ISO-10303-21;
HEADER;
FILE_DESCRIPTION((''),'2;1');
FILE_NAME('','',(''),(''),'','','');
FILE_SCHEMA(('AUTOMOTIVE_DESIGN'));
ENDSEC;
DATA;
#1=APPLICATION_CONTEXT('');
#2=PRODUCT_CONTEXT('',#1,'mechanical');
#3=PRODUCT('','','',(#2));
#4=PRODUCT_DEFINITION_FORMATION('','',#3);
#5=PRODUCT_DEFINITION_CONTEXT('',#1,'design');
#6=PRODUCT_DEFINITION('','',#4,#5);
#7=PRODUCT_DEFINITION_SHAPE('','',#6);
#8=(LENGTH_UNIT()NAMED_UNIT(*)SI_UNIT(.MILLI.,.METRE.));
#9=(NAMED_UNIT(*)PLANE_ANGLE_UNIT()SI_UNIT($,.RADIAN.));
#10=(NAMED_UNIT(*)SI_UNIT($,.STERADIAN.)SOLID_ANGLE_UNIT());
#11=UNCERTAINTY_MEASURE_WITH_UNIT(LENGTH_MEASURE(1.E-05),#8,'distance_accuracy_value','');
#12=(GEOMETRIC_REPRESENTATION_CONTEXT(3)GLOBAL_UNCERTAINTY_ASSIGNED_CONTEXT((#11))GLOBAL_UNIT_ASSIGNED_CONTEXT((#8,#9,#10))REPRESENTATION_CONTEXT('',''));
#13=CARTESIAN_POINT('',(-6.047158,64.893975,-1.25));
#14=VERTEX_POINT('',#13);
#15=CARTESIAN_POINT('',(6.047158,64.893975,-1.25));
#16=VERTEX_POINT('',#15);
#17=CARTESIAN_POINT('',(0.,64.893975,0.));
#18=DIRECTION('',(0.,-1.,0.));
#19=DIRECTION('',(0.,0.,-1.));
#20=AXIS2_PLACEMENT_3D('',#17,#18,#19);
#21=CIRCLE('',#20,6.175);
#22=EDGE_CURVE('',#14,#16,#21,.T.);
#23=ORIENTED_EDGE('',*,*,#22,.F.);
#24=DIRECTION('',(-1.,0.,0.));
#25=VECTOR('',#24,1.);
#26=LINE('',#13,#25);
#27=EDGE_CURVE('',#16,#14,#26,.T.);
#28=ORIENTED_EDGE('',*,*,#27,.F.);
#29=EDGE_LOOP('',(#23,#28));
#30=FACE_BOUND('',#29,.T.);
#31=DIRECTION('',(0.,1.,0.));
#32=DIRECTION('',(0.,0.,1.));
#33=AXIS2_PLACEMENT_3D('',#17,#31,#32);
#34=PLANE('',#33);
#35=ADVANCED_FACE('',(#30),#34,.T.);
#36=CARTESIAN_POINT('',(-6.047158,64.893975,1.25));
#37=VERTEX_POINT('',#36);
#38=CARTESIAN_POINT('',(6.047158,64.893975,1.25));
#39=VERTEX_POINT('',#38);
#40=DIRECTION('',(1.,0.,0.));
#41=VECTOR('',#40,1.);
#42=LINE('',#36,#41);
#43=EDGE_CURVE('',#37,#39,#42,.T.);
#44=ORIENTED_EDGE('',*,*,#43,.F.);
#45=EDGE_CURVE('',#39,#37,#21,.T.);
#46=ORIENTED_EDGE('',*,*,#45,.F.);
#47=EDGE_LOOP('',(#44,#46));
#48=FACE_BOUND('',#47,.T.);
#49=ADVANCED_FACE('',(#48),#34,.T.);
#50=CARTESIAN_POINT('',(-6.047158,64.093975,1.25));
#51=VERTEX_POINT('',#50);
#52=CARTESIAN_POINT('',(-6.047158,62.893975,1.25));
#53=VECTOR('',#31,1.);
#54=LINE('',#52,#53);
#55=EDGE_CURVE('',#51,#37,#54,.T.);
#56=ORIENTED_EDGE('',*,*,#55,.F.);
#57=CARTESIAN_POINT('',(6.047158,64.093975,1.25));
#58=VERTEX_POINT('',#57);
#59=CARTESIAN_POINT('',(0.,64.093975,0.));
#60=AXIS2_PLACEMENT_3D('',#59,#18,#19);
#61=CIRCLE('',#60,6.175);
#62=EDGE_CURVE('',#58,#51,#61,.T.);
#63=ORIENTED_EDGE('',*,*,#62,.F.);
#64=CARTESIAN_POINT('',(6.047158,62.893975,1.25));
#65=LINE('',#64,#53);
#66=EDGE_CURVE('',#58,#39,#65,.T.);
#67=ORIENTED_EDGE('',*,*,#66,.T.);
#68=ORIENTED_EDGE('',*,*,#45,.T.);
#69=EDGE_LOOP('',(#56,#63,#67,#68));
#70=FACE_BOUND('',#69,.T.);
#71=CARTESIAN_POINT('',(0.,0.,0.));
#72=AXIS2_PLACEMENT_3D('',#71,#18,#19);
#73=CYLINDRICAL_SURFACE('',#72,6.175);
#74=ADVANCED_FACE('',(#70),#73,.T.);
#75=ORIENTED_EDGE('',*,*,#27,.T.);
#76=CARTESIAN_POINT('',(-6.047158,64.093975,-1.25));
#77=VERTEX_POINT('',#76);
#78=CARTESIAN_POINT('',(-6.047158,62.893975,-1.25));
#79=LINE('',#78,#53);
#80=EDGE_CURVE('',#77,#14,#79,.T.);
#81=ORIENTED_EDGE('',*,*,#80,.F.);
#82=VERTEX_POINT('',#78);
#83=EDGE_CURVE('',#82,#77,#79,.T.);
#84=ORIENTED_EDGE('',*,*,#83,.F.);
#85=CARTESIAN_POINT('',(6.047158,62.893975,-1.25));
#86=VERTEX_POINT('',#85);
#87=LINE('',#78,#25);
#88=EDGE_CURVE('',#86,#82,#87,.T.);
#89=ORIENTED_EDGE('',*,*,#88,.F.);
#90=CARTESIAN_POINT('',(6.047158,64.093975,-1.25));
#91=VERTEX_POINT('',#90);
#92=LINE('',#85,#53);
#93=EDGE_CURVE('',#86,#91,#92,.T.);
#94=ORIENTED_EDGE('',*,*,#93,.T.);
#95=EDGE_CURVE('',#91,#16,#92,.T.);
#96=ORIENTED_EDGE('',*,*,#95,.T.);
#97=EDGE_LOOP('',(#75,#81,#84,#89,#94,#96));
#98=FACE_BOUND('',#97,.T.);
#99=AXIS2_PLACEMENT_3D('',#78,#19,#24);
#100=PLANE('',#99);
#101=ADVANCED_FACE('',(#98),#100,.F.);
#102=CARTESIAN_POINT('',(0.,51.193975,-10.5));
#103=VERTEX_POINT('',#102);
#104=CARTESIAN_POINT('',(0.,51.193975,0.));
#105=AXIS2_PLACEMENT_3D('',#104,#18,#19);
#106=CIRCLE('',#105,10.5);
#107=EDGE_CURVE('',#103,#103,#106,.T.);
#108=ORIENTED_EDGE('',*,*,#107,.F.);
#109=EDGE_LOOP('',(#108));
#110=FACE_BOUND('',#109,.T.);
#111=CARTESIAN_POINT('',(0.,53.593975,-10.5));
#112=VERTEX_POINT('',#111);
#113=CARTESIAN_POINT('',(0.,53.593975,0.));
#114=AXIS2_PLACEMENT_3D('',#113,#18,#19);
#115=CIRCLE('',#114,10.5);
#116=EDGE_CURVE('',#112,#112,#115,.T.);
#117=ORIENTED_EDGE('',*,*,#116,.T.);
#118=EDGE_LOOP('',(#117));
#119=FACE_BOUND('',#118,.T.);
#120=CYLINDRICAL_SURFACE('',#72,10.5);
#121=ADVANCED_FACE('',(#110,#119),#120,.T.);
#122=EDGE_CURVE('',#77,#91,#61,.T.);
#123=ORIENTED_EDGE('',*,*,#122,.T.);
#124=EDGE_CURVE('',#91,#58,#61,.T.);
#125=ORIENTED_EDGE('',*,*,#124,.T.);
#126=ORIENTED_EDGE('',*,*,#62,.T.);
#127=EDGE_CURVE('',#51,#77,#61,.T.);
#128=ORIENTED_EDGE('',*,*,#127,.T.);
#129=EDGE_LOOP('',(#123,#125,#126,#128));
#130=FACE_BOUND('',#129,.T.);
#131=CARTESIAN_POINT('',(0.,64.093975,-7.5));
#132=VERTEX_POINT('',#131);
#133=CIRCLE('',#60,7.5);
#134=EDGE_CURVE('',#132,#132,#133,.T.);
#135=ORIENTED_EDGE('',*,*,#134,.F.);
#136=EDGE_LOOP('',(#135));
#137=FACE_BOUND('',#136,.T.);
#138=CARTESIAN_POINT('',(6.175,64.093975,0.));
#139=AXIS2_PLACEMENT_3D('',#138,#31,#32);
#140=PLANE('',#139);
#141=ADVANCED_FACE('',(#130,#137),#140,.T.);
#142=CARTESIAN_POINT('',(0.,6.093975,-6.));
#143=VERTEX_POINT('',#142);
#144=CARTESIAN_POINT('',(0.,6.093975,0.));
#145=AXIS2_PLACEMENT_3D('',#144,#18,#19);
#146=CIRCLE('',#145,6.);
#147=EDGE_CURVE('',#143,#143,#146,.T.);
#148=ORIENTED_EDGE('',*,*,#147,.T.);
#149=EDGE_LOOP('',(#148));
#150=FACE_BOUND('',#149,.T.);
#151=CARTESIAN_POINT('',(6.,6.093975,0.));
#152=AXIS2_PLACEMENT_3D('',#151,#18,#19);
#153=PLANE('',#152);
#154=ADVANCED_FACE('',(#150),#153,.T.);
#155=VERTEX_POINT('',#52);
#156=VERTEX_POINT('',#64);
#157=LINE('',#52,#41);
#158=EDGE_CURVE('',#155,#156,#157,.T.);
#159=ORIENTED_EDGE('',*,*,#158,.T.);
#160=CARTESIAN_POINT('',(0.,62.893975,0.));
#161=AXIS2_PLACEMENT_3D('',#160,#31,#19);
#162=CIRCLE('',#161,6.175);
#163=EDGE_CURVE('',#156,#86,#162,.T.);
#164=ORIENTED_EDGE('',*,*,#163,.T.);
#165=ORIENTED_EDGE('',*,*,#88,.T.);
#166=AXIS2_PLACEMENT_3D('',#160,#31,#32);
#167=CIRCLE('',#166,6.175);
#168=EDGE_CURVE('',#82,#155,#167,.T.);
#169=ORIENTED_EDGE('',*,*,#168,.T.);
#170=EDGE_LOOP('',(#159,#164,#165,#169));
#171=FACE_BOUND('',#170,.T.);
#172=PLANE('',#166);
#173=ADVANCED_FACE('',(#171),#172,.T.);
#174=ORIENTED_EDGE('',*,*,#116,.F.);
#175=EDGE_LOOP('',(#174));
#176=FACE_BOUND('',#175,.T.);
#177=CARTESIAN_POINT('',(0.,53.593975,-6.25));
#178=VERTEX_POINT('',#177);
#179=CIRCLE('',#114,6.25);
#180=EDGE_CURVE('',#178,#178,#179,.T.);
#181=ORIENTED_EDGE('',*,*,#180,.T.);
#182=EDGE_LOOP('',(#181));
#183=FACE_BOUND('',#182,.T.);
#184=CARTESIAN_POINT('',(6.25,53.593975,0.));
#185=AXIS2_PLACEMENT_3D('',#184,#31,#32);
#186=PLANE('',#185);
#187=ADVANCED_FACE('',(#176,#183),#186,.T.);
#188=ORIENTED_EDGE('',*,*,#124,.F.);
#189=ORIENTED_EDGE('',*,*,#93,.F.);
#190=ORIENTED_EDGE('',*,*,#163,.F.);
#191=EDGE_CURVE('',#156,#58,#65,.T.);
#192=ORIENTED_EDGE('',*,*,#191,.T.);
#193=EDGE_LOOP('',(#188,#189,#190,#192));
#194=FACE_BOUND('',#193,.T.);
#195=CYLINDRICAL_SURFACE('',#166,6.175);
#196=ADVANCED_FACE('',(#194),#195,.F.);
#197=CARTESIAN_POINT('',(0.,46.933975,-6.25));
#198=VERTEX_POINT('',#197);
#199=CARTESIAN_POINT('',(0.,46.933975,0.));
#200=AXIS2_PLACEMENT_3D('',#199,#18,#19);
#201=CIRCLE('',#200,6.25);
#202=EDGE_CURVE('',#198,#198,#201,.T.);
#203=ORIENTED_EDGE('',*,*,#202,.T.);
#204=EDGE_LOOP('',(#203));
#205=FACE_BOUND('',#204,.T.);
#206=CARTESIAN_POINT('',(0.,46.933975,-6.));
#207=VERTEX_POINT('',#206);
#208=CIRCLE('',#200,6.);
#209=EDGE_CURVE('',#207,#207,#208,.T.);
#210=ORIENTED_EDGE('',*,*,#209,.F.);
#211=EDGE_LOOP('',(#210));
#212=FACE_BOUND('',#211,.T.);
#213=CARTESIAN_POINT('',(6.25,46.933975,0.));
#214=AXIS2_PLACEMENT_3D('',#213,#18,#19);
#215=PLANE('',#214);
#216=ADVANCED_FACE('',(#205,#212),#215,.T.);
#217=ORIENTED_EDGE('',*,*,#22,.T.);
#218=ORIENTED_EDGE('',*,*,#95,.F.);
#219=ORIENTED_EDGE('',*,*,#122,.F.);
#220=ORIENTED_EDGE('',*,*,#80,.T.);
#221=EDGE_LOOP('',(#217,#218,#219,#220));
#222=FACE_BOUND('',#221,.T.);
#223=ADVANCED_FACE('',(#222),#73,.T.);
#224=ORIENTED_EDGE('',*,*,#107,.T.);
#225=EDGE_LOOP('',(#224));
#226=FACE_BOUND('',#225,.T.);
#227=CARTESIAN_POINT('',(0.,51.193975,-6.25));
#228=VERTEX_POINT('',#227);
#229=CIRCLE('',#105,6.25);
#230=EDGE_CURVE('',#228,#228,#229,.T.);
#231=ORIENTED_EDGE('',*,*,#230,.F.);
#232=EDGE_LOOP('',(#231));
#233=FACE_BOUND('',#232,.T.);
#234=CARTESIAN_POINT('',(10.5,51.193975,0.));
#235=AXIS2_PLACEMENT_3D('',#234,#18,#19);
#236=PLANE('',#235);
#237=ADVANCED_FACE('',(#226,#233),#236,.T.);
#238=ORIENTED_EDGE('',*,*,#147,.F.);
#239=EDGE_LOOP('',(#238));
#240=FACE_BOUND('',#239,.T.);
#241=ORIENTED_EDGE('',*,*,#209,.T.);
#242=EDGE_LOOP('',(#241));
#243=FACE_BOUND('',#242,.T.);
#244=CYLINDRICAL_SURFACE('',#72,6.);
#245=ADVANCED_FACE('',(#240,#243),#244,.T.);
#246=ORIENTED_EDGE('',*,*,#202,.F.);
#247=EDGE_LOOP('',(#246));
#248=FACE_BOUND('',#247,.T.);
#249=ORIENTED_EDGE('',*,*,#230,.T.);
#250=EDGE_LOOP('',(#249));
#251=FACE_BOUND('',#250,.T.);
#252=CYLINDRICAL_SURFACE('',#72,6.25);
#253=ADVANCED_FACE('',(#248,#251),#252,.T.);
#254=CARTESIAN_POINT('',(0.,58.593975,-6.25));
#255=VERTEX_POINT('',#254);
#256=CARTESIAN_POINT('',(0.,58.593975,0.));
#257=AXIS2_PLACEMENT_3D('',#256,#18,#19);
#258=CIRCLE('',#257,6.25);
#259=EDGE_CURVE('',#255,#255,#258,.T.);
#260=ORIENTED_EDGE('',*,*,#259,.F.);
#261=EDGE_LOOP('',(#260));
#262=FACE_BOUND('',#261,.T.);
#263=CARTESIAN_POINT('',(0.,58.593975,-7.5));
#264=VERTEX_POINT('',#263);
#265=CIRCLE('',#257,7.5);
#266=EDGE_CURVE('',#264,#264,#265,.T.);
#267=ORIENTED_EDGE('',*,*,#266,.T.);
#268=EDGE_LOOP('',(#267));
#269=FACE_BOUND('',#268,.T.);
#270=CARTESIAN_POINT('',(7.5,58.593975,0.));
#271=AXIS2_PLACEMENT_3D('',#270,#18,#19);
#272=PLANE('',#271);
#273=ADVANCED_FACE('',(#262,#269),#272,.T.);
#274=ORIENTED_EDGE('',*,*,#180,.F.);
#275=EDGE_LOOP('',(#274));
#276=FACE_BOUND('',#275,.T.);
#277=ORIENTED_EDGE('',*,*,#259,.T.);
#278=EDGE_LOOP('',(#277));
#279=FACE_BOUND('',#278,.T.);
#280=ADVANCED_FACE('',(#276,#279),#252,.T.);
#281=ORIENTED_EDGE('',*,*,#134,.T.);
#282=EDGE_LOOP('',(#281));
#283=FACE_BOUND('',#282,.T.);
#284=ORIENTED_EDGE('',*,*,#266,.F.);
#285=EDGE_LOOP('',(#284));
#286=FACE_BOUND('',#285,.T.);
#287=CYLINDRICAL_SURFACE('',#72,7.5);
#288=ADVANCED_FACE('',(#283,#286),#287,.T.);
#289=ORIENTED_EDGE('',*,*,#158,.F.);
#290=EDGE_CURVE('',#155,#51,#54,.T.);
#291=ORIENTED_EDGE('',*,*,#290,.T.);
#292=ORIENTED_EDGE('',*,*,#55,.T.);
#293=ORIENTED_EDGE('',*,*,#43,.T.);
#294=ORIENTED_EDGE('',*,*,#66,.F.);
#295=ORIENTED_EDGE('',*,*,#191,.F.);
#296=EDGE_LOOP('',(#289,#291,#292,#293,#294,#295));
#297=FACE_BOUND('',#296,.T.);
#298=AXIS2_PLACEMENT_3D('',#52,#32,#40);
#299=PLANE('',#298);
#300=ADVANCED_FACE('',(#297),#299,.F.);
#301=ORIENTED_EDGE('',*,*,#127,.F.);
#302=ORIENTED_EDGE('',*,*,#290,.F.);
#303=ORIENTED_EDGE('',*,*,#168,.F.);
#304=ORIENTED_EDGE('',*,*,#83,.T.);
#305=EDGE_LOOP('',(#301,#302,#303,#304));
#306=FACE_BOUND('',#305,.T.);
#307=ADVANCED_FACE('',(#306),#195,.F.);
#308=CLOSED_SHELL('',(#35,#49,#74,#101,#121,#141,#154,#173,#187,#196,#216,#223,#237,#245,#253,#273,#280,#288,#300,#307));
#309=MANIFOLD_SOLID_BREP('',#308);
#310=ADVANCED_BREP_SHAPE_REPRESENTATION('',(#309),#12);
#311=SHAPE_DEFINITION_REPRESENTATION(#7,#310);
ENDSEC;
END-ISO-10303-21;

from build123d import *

# Parameters (mm, degrees)
ENL_V_START             = -2
ENL_V_MAT_EXTRU_1_DEPTH = 2


with BuildPart() as part:
    # Esquisse2 → Révolution1 (revolve)
    with BuildSketch(Plane.XY, mode=Mode.PRIVATE) as r_volution1_sk:
        Polygon((0, 64.893975029), (6.175, 64.893975029), (6.175, 64.093975029), (7.5, 64.093975029), (7.5, 58.593975029), (6.25, 58.593975029), (6.25, 53.593975029), (10.5, 53.593975029), (10.5, 51.193975029), (6.25, 51.193975029), (6.25, 46.933975029), (6, 46.933975029), (6, 6.093975029), (0, 6.093975029), align=None)
    revolve(r_volution1_sk.sketch.rotate(Axis((0, 0, 0), (0, 1, 0)), 90), axis=Axis((0, 0, 0), (0, 1, 0)))

    # Esquisse3 → Enlèv. mat.-Extru.1 (cut)
    with BuildSketch(Plane(origin=(0, 64.893975029, 0), x_dir=(1, 0, 0), z_dir=(0, 1, 0)).offset(ENL_V_START)):
        with BuildLine():
            Line((-6.047158424, 1.25), (6.047158424, 1.25))
            ThreePointArc((6.047158424, 1.25), (6.175, 0), (6.047158424, -1.25))
            Line((6.047158424, -1.25), (-6.047158424, -1.25))
            ThreePointArc((-6.047158424, -1.25), (-6.175, 0), (-6.047158424, 1.25))
        make_face()
    extrude(amount=ENL_V_MAT_EXTRU_1_DEPTH, mode=Mode.SUBTRACT)


solid = part.part
